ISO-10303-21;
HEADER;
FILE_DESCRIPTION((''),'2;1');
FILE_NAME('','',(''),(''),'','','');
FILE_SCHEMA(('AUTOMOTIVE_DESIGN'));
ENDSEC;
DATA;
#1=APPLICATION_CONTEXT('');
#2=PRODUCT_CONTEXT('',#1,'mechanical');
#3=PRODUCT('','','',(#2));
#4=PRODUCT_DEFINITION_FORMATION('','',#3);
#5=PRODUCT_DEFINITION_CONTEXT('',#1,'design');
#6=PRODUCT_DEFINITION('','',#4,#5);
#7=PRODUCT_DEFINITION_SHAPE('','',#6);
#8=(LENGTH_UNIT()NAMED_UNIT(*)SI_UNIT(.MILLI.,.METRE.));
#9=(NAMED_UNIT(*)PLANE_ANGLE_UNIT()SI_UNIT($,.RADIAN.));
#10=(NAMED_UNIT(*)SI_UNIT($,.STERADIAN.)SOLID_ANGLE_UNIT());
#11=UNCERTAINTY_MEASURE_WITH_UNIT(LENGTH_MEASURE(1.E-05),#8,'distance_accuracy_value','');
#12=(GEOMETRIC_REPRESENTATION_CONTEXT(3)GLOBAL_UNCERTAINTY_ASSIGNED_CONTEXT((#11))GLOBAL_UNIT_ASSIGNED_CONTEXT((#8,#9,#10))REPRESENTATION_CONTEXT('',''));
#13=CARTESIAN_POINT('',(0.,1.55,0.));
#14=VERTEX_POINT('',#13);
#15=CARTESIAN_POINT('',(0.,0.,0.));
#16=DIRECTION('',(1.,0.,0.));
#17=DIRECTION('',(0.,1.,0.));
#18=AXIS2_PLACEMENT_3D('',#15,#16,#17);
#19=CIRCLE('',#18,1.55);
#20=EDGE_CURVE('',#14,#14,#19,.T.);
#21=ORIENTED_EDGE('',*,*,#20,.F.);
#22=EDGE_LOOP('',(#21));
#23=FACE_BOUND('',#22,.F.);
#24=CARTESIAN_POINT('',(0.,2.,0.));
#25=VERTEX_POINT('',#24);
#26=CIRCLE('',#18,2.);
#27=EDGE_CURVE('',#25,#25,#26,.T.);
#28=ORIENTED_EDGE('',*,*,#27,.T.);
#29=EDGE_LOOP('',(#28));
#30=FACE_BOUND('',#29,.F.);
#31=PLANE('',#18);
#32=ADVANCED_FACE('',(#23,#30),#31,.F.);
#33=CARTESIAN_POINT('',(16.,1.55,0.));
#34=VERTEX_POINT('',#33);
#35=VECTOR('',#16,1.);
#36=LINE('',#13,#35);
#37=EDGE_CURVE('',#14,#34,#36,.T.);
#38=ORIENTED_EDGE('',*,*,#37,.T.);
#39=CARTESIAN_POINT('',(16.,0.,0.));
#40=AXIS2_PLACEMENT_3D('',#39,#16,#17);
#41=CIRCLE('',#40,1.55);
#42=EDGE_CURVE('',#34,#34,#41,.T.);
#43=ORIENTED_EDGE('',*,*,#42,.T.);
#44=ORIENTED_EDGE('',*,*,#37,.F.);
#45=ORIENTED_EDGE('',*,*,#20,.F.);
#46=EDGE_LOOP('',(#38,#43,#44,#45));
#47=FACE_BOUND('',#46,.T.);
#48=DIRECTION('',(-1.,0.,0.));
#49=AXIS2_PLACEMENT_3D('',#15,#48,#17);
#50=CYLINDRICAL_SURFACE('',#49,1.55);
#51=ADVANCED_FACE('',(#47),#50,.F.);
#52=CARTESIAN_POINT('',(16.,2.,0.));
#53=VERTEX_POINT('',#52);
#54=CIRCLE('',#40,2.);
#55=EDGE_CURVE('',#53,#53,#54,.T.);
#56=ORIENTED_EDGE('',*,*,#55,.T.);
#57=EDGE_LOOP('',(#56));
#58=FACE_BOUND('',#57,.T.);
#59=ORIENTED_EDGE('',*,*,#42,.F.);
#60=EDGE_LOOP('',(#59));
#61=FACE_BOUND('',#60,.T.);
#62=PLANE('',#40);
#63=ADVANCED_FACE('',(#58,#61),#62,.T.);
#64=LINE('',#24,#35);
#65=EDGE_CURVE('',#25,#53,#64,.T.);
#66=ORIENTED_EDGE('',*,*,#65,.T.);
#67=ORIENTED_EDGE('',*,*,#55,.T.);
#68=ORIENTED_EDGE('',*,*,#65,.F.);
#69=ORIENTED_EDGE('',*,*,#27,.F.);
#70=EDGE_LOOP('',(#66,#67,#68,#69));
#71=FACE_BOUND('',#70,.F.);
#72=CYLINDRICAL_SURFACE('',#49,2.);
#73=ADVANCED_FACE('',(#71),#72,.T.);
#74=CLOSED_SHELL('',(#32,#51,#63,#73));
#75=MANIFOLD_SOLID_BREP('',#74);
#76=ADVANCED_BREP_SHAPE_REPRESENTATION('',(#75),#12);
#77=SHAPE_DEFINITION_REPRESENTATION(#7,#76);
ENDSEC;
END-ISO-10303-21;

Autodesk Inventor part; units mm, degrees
ref_plane "YZ Plane" through (0, 0, 0) normal (1, 0, 0) x (0, 1, 0)
ref_plane "XZ Plane" through (0, 0, 0) normal (0, 1, 0) x (-1, 0, 0)
ref_plane "XY Plane" through (0, 0, 0) normal (0, 0, 1) x (1, 0, 0)
sketch "Skizze1" plane through (0, 0, 0) normal (1, 0, 0) x (0, 1, 0)
  circle A0 centre (0, 0) radius 1.55
  circle A1 centre (0, 0) radius 2
  dimension "d0" = 3.1
  dimension "d1" = 4
extrude "Extrusion1" add sketch "Skizze1" along normal blind 16
properties part number "Rolls"
